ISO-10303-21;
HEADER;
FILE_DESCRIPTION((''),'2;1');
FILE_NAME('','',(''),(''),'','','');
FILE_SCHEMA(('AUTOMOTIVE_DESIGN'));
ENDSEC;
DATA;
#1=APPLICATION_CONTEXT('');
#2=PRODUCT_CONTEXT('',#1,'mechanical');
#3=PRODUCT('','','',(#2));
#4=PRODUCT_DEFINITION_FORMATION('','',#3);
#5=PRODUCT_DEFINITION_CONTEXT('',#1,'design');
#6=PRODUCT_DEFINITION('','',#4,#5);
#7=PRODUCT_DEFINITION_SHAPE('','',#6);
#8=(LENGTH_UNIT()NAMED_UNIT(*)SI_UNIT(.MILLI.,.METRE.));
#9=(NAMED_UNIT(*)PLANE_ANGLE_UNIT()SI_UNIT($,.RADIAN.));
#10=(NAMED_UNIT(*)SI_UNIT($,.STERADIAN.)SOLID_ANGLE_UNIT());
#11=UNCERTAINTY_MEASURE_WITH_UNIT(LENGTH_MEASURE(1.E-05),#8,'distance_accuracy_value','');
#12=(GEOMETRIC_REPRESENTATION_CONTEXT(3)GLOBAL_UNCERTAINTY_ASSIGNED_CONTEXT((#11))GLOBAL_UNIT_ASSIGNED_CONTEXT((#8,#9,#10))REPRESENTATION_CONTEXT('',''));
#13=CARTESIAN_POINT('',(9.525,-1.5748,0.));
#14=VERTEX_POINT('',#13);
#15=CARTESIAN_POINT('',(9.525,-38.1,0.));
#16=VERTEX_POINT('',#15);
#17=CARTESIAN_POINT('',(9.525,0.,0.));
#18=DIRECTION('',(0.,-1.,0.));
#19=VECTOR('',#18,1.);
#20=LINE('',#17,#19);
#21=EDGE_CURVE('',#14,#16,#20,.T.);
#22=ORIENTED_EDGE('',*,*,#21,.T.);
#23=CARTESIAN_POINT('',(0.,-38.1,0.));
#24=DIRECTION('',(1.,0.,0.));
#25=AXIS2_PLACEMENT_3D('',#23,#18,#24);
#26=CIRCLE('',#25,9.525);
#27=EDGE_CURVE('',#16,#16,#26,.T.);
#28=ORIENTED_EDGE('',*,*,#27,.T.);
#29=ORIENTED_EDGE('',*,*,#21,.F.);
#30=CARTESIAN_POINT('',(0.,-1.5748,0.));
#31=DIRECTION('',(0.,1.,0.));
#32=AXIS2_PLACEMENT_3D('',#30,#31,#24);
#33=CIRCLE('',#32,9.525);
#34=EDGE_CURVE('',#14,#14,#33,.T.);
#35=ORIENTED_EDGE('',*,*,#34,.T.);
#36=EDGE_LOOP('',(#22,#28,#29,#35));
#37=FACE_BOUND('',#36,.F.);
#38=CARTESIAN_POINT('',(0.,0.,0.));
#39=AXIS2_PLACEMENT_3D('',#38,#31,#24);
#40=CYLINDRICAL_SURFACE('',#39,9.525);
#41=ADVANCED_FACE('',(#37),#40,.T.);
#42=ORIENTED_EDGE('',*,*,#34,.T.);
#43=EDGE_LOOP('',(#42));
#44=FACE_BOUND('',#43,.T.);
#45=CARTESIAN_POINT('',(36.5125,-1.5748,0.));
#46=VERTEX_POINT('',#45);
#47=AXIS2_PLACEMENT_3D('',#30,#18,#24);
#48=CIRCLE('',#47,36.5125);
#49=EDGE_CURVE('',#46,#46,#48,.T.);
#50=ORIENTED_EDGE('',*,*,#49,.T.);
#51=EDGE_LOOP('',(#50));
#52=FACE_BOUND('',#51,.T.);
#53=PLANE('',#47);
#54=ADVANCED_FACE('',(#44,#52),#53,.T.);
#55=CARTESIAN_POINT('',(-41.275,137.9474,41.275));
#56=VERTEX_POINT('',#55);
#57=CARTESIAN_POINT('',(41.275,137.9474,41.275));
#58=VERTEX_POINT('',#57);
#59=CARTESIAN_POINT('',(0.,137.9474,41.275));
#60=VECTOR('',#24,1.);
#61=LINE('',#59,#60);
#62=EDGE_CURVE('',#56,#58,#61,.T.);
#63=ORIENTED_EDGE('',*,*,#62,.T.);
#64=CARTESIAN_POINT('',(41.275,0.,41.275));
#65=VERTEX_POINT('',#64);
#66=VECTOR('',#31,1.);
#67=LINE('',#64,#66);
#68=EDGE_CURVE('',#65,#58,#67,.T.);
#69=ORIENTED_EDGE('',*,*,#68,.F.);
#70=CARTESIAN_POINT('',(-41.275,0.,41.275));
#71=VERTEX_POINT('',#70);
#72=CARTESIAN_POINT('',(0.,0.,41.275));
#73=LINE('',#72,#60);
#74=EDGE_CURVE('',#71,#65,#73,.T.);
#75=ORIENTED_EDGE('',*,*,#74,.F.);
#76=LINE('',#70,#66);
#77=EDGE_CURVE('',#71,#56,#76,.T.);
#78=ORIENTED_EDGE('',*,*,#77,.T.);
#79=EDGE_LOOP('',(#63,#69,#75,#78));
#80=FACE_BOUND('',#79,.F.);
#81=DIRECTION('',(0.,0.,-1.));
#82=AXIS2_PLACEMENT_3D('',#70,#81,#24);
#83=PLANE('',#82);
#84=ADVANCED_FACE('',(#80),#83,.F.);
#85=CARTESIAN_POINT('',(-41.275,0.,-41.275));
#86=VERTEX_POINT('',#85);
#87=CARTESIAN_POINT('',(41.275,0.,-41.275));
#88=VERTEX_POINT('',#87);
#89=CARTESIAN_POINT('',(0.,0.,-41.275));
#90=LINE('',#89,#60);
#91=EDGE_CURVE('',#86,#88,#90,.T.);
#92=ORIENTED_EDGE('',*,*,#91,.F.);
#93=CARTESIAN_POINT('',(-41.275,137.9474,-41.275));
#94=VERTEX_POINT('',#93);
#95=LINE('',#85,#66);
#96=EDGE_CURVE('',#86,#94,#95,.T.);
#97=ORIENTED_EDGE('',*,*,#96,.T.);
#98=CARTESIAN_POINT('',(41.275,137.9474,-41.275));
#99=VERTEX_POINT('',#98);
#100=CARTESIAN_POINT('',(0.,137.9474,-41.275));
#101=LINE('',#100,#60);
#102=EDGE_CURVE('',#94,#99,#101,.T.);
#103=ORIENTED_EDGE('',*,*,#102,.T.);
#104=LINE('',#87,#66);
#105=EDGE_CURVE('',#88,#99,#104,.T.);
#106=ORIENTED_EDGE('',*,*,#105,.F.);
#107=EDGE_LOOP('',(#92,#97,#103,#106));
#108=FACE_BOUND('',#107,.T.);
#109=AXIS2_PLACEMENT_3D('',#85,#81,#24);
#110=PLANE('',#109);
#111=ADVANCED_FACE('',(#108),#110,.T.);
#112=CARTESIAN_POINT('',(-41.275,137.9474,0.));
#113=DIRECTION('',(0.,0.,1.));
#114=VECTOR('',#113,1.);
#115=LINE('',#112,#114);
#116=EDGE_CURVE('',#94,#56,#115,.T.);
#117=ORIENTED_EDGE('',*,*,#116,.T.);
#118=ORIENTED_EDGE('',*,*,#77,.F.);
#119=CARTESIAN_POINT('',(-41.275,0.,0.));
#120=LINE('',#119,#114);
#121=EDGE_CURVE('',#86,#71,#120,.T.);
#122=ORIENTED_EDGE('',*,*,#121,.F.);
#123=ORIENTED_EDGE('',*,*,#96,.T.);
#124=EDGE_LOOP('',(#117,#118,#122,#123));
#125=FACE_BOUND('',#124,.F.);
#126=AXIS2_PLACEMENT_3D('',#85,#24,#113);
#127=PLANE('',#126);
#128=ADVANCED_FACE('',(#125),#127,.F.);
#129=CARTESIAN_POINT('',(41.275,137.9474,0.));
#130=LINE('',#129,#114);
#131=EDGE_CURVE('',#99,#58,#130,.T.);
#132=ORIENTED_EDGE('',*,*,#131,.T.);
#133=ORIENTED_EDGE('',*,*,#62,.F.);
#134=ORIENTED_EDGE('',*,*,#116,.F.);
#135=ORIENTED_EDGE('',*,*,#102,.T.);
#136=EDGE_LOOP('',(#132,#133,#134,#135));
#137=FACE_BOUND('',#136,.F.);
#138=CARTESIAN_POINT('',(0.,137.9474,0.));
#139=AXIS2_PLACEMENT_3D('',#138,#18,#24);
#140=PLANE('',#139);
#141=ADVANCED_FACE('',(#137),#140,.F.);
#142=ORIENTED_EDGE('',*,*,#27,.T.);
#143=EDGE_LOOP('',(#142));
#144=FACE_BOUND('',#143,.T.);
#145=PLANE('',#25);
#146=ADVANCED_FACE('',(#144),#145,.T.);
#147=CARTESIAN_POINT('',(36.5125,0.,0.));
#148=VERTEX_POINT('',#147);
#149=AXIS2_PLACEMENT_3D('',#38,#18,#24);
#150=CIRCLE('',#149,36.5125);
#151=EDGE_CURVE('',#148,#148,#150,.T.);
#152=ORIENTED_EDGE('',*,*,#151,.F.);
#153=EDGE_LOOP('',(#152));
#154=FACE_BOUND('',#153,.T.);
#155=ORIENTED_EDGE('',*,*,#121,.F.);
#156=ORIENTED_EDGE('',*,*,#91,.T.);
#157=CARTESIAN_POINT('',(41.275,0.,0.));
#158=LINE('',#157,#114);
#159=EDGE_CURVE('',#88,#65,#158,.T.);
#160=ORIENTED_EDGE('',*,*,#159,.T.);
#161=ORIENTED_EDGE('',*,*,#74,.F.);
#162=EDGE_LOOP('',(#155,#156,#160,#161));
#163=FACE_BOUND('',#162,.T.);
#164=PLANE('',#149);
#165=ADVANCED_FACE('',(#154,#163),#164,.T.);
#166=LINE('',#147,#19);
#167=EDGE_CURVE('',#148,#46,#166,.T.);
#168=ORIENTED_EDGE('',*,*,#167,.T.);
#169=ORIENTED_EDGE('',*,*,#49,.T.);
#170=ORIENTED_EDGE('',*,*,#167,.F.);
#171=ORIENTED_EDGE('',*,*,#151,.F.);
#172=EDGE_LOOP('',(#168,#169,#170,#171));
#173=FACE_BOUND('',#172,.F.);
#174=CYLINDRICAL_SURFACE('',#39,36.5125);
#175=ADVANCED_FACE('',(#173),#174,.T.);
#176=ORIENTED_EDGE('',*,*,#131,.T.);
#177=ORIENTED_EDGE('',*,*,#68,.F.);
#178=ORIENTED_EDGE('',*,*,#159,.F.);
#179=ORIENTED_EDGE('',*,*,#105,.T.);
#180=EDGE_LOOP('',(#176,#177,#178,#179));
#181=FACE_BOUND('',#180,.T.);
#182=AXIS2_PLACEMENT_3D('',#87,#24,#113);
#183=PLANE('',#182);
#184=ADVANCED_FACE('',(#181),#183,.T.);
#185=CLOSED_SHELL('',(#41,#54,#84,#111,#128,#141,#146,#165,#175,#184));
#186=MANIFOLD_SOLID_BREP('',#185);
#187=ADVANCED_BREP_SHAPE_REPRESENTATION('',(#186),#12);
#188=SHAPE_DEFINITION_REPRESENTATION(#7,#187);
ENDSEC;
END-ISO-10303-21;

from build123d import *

# Parameters (mm, degrees)
F0_W     = 82.55
F0_H     = 82.55
F1_DEPTH = 137.9474
F2_R     = 36.5125
F3_DEPTH = 1.5748
F4_R     = 9.525
F5_DEPTH = 38.1


with BuildPart() as f1:
    # F0 (on Front) → F1 (new body)
    with BuildSketch(Plane.XZ):
        Rectangle(F0_W, F0_H)
    extrude(amount=-F1_DEPTH)

    # F2 (on Front) → F3 (join)
    with BuildSketch(Plane.XZ):
        Circle(F2_R)
    extrude(amount=F3_DEPTH)

    # F4 (on Front) → F5 (join)
    with BuildSketch(Plane.XZ):
        Circle(F4_R)
    extrude(amount=F5_DEPTH)


solid = f1.part
